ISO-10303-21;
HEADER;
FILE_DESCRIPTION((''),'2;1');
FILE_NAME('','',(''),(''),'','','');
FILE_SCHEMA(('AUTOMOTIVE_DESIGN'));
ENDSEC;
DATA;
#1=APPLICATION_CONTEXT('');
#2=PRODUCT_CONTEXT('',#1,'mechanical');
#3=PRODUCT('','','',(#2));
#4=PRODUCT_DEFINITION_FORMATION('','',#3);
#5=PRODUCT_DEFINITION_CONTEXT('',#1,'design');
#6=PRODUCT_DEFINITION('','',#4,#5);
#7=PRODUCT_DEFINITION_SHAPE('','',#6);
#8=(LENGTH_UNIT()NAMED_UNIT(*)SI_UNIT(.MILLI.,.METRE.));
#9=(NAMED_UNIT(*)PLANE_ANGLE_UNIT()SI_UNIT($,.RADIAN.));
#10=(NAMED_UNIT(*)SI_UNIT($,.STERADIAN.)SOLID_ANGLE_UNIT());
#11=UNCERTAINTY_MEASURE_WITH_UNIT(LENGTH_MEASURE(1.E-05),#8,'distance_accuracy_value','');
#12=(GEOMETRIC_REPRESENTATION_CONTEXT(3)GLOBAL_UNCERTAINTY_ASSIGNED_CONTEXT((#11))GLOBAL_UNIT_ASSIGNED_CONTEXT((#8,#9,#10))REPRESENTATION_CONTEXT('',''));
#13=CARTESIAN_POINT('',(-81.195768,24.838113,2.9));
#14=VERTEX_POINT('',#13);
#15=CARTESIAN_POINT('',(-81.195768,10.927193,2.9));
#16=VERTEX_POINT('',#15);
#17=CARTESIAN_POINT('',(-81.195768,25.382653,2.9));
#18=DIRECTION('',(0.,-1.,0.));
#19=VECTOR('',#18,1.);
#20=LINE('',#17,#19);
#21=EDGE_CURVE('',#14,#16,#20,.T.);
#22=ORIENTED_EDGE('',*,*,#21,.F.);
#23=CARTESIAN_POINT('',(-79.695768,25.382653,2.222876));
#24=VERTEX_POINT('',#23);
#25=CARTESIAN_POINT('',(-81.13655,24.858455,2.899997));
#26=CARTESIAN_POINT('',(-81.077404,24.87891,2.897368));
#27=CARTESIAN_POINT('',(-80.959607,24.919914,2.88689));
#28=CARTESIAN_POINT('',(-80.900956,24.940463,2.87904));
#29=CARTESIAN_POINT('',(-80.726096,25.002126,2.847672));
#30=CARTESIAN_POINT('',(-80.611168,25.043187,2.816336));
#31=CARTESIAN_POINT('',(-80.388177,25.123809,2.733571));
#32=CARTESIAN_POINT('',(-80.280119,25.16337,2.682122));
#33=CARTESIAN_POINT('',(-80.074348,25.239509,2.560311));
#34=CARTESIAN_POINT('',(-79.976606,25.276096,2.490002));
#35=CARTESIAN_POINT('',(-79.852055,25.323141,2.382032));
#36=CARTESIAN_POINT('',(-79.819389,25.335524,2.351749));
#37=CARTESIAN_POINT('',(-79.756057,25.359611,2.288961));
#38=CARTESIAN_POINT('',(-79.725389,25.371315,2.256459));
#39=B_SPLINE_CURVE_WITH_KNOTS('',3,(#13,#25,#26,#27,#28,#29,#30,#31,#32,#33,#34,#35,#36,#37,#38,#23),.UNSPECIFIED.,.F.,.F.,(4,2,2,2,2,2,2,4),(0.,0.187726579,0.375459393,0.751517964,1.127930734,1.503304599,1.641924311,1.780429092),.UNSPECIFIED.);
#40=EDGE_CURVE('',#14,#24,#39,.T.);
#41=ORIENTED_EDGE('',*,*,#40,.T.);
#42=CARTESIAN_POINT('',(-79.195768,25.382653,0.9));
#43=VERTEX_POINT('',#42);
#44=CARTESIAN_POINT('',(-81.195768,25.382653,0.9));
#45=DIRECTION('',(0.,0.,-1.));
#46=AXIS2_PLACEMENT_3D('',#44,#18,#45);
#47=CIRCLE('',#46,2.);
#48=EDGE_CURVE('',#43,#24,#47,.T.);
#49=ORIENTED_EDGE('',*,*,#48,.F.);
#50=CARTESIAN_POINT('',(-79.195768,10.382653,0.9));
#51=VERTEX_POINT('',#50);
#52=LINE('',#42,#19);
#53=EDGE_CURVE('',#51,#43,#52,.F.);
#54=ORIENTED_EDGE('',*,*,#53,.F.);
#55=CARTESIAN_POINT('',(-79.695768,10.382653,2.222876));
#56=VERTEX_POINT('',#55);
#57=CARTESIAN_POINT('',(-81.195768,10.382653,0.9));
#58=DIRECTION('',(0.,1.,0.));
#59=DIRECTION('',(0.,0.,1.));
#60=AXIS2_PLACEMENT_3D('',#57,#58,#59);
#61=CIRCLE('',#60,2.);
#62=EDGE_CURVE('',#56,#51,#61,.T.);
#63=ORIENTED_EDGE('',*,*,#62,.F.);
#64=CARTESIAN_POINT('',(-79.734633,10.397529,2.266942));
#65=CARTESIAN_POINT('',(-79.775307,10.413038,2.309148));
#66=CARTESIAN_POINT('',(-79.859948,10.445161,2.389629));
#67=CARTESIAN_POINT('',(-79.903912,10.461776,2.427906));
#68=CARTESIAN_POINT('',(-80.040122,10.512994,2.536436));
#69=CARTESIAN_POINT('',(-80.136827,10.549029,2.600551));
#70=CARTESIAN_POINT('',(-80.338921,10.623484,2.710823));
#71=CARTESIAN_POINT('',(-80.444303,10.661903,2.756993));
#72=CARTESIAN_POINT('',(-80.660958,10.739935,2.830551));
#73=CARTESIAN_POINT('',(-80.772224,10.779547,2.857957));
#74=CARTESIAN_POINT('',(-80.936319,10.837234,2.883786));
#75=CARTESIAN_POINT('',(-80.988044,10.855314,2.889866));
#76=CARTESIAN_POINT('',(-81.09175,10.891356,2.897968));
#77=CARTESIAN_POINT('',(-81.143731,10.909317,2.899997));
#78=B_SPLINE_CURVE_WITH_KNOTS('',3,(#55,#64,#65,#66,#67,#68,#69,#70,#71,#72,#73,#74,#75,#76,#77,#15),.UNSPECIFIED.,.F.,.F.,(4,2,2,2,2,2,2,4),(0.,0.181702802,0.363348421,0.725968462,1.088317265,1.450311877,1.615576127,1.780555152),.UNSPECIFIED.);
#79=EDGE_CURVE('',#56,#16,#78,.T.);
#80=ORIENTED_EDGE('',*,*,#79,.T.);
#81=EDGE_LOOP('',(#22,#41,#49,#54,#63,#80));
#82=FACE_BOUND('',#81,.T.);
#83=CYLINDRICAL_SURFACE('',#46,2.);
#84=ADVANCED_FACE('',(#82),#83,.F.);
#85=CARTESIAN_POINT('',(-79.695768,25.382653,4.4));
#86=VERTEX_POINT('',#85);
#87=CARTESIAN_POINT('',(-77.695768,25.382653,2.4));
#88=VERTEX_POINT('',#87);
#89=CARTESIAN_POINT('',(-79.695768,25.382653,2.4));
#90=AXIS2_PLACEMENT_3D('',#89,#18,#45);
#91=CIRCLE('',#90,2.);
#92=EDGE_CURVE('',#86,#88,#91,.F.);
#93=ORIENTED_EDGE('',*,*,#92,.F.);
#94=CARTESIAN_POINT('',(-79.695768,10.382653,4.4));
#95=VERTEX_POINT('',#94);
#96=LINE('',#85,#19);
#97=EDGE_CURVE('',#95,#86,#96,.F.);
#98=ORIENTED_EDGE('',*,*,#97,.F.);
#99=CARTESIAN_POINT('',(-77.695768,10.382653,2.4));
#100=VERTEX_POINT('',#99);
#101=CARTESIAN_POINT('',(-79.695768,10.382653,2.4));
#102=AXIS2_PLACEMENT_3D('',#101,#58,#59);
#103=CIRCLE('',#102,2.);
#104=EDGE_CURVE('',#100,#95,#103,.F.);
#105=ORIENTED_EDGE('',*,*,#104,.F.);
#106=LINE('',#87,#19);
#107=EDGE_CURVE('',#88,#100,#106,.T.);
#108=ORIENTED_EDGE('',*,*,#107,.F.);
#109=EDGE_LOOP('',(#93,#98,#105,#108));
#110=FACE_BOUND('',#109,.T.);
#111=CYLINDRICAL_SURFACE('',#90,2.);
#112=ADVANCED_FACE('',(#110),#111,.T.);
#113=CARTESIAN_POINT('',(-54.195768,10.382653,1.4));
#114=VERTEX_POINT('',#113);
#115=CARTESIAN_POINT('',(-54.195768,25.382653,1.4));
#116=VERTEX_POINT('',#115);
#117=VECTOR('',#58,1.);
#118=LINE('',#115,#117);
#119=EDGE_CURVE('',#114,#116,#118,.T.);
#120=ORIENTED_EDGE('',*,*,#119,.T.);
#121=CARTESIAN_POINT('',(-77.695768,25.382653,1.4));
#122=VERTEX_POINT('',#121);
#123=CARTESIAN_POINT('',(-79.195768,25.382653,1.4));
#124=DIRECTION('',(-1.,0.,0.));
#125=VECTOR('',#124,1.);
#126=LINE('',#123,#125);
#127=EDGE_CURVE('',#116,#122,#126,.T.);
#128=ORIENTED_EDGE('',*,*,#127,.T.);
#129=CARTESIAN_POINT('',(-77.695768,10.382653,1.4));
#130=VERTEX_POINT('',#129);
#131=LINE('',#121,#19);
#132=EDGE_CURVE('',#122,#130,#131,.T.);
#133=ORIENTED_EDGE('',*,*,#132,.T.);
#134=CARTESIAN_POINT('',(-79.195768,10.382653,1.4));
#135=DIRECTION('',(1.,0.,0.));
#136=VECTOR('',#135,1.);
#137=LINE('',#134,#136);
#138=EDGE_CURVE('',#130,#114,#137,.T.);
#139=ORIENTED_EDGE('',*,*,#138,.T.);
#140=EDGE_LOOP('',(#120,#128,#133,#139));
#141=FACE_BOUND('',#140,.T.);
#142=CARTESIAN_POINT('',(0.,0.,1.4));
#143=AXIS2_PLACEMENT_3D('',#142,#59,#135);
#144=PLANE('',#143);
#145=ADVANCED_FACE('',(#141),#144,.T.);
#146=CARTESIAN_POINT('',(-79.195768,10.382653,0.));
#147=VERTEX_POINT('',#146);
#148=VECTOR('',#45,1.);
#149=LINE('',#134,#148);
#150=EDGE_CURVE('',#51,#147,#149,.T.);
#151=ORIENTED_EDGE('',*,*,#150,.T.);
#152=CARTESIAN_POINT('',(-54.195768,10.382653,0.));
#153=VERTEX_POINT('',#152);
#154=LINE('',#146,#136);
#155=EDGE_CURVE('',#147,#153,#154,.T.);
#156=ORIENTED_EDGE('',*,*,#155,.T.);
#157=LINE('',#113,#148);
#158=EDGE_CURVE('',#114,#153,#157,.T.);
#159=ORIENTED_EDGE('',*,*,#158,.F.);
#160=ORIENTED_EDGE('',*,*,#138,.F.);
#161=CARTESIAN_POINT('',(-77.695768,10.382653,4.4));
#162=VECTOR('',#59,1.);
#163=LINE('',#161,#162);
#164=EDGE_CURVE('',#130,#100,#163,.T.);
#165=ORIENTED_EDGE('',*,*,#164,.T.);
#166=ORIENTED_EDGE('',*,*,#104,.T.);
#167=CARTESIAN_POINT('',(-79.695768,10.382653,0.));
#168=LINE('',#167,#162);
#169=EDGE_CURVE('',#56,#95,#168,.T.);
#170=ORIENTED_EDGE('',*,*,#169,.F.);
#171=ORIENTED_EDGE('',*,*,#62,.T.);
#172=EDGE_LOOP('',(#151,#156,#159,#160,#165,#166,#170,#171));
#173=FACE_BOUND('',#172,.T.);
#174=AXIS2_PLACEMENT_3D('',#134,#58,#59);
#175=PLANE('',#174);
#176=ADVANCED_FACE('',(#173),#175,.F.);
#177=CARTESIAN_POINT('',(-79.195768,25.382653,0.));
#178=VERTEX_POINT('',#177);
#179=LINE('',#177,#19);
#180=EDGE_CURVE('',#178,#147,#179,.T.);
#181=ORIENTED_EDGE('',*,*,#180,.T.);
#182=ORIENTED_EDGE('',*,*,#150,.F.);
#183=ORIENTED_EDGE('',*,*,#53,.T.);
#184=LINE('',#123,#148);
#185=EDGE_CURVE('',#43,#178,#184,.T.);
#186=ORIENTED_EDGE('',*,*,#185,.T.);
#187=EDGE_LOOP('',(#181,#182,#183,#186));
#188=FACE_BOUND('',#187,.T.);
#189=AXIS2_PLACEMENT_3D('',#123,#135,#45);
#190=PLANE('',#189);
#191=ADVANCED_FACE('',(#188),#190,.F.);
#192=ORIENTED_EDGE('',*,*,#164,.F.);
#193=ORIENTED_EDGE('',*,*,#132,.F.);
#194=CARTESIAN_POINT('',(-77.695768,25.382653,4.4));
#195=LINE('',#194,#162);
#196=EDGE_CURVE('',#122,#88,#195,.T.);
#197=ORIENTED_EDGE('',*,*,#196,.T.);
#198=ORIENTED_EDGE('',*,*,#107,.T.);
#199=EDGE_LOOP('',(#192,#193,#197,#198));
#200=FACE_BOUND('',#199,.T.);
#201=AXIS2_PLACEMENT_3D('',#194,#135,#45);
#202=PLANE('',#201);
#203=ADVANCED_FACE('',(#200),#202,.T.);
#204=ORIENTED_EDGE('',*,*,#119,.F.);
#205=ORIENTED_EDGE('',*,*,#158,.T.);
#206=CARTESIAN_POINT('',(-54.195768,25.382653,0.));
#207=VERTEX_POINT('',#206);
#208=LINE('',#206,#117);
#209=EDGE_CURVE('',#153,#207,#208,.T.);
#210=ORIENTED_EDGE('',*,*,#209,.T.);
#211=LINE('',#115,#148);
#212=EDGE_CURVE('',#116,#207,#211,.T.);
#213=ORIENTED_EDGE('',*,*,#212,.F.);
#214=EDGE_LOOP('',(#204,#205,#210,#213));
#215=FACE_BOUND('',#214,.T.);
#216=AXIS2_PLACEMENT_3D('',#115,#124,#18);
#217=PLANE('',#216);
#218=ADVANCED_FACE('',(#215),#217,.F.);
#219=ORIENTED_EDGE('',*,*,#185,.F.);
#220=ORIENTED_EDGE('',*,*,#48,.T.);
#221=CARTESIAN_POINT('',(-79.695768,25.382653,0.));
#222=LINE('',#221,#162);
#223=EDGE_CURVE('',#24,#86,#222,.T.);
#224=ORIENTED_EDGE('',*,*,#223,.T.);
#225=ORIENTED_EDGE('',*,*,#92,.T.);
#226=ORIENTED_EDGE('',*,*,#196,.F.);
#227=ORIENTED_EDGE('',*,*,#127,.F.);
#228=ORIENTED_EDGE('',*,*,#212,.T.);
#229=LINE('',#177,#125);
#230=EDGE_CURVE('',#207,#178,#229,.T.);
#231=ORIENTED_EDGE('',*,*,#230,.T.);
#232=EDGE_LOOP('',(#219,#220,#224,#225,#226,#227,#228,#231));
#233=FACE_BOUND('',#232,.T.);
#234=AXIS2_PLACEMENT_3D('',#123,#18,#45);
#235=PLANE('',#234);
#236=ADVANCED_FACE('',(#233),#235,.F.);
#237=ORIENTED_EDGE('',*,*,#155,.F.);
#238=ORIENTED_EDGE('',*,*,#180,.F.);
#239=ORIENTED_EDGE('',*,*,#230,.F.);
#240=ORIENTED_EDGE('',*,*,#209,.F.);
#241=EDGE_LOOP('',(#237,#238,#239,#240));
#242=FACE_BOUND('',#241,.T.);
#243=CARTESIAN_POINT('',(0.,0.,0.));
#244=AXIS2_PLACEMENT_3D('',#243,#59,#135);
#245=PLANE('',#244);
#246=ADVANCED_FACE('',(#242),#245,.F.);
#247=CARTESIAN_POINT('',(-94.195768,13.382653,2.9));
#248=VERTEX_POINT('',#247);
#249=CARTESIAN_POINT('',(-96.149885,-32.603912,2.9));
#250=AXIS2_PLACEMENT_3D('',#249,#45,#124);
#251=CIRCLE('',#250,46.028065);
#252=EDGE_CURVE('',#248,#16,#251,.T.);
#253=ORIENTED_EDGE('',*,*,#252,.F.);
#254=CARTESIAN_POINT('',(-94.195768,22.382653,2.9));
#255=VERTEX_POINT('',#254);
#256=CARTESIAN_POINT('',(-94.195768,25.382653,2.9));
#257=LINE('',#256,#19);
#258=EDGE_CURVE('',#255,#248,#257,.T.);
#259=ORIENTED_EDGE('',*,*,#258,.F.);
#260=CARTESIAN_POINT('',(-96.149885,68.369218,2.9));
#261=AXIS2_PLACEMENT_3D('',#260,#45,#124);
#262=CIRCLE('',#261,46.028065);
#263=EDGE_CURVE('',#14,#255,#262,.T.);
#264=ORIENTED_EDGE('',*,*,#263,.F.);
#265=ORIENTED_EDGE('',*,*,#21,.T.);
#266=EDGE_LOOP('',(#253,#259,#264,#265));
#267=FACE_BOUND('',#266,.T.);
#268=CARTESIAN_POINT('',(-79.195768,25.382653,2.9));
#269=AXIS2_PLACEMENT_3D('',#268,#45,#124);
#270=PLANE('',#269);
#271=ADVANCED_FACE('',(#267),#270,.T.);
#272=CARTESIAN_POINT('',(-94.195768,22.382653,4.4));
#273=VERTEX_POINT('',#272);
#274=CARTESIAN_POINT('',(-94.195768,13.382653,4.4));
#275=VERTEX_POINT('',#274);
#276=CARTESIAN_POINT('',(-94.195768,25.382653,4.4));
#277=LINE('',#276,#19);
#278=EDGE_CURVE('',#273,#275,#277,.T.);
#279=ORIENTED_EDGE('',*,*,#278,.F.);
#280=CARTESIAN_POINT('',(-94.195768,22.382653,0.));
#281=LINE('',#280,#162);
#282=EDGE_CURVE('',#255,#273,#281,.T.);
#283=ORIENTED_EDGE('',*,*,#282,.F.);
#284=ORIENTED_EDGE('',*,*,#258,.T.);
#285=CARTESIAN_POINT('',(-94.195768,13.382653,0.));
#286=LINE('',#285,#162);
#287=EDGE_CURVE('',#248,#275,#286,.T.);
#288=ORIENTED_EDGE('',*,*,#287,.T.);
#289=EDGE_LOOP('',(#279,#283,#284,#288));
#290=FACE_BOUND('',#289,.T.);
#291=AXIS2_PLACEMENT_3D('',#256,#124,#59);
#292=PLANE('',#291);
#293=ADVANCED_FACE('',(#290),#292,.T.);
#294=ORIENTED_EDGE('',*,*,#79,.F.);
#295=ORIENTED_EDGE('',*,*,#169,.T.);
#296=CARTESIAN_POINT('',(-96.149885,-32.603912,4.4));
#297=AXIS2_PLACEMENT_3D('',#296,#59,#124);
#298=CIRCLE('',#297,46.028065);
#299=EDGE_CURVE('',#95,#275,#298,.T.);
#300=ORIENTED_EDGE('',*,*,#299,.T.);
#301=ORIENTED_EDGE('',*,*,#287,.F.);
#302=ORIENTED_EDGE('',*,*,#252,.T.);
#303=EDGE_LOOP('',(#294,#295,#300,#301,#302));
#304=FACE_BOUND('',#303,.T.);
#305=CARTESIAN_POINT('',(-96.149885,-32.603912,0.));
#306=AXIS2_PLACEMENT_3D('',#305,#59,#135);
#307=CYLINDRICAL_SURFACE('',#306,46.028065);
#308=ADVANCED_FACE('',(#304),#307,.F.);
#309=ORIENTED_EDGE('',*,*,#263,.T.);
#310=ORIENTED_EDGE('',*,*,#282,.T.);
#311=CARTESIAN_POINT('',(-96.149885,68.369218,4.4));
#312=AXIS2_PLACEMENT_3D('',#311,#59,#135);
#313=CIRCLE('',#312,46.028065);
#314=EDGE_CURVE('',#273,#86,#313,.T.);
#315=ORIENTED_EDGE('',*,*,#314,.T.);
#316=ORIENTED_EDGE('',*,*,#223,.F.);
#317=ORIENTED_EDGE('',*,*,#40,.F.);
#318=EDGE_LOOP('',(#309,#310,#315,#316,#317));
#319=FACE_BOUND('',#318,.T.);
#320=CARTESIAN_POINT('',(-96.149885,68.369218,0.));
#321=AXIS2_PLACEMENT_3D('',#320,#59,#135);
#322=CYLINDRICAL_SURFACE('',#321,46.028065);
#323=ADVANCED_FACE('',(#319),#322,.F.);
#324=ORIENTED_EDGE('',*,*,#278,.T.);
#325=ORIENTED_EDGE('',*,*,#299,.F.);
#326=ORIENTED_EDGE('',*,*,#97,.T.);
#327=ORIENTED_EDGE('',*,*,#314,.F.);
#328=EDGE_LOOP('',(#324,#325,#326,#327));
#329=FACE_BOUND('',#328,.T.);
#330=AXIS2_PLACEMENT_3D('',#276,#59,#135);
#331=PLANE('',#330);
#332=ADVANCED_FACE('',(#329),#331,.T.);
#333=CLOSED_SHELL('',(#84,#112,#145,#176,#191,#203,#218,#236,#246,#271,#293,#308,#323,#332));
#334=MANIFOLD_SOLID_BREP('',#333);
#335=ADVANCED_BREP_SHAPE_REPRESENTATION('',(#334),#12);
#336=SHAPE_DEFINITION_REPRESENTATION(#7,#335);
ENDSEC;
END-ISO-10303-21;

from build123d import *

# Parameters (mm, degrees)
CROQUIS1_W              = 25
CROQUIS1_H              = 15
SALIENTE_EXTRUIR1_DEPTH = 1.4
SALIENTE_EXTRUIR2_DEPTH = 15
REDONDEO1_R             = 2
CORTAR_EXTRUIR1_START   = -2.177124
CORTAR_EXTRUIR1_DEPTH   = 2.177124


with BuildPart() as part:
    # Croquis1 → Saliente-Extruir1 (new body)
    with BuildSketch(Plane.XY):
        with Locations((-66.695768458, 17.882653061)):
            Rectangle(CROQUIS1_W, CROQUIS1_H)
    extrude(amount=SALIENTE_EXTRUIR1_DEPTH)

    # Croquis3 → Saliente-Extruir2 (add)
    with BuildSketch(Plane.XZ.offset(-10.382653061)):
        Polygon((-79.195768458, 1.4), (-79.195768458, 2.9), (-94.195768458, 2.9), (-94.195768458, 4.4), (-77.695768458, 4.4), (-77.695768458, 1.4), align=None)
    extrude(amount=-SALIENTE_EXTRUIR2_DEPTH)

    # Redondeo1
    redondeo1_edges = [part.edges().sort_by_distance(p)[0] for p in [
        (-79.195768458, 17.882653061, 2.9),
        (-77.695768458, 17.882653061, 4.4),
    ]]
    fillet(redondeo1_edges, radius=REDONDEO1_R)

    # Croquis4 → Cortar-Extruir1 (cut)
    with BuildSketch(Plane.XY.offset(4.4).offset(CORTAR_EXTRUIR1_START)):
        with BuildLine():
            Line((-79.695768458, 25.382653061), (-94.195768458, 25.382653061))
            Line((-94.195768458, 25.382653061), (-94.195768458, 22.382653061))
            ThreePointArc((-94.195768458, 22.382653061), (-86.824341518, 23.295756187), (-79.695768458, 25.382653061))
        make_face()
        with BuildLine():
            Line((-94.195768458, 13.382653061), (-94.195768458, 10.382653061))
            Line((-94.195768458, 10.382653061), (-79.695768458, 10.382653061))
            ThreePointArc((-79.695768458, 10.382653061), (-86.824341518, 12.469549935), (-94.195768458, 13.382653061))
        make_face()
    extrude(amount=CORTAR_EXTRUIR1_DEPTH, mode=Mode.SUBTRACT)


solid = part.part
